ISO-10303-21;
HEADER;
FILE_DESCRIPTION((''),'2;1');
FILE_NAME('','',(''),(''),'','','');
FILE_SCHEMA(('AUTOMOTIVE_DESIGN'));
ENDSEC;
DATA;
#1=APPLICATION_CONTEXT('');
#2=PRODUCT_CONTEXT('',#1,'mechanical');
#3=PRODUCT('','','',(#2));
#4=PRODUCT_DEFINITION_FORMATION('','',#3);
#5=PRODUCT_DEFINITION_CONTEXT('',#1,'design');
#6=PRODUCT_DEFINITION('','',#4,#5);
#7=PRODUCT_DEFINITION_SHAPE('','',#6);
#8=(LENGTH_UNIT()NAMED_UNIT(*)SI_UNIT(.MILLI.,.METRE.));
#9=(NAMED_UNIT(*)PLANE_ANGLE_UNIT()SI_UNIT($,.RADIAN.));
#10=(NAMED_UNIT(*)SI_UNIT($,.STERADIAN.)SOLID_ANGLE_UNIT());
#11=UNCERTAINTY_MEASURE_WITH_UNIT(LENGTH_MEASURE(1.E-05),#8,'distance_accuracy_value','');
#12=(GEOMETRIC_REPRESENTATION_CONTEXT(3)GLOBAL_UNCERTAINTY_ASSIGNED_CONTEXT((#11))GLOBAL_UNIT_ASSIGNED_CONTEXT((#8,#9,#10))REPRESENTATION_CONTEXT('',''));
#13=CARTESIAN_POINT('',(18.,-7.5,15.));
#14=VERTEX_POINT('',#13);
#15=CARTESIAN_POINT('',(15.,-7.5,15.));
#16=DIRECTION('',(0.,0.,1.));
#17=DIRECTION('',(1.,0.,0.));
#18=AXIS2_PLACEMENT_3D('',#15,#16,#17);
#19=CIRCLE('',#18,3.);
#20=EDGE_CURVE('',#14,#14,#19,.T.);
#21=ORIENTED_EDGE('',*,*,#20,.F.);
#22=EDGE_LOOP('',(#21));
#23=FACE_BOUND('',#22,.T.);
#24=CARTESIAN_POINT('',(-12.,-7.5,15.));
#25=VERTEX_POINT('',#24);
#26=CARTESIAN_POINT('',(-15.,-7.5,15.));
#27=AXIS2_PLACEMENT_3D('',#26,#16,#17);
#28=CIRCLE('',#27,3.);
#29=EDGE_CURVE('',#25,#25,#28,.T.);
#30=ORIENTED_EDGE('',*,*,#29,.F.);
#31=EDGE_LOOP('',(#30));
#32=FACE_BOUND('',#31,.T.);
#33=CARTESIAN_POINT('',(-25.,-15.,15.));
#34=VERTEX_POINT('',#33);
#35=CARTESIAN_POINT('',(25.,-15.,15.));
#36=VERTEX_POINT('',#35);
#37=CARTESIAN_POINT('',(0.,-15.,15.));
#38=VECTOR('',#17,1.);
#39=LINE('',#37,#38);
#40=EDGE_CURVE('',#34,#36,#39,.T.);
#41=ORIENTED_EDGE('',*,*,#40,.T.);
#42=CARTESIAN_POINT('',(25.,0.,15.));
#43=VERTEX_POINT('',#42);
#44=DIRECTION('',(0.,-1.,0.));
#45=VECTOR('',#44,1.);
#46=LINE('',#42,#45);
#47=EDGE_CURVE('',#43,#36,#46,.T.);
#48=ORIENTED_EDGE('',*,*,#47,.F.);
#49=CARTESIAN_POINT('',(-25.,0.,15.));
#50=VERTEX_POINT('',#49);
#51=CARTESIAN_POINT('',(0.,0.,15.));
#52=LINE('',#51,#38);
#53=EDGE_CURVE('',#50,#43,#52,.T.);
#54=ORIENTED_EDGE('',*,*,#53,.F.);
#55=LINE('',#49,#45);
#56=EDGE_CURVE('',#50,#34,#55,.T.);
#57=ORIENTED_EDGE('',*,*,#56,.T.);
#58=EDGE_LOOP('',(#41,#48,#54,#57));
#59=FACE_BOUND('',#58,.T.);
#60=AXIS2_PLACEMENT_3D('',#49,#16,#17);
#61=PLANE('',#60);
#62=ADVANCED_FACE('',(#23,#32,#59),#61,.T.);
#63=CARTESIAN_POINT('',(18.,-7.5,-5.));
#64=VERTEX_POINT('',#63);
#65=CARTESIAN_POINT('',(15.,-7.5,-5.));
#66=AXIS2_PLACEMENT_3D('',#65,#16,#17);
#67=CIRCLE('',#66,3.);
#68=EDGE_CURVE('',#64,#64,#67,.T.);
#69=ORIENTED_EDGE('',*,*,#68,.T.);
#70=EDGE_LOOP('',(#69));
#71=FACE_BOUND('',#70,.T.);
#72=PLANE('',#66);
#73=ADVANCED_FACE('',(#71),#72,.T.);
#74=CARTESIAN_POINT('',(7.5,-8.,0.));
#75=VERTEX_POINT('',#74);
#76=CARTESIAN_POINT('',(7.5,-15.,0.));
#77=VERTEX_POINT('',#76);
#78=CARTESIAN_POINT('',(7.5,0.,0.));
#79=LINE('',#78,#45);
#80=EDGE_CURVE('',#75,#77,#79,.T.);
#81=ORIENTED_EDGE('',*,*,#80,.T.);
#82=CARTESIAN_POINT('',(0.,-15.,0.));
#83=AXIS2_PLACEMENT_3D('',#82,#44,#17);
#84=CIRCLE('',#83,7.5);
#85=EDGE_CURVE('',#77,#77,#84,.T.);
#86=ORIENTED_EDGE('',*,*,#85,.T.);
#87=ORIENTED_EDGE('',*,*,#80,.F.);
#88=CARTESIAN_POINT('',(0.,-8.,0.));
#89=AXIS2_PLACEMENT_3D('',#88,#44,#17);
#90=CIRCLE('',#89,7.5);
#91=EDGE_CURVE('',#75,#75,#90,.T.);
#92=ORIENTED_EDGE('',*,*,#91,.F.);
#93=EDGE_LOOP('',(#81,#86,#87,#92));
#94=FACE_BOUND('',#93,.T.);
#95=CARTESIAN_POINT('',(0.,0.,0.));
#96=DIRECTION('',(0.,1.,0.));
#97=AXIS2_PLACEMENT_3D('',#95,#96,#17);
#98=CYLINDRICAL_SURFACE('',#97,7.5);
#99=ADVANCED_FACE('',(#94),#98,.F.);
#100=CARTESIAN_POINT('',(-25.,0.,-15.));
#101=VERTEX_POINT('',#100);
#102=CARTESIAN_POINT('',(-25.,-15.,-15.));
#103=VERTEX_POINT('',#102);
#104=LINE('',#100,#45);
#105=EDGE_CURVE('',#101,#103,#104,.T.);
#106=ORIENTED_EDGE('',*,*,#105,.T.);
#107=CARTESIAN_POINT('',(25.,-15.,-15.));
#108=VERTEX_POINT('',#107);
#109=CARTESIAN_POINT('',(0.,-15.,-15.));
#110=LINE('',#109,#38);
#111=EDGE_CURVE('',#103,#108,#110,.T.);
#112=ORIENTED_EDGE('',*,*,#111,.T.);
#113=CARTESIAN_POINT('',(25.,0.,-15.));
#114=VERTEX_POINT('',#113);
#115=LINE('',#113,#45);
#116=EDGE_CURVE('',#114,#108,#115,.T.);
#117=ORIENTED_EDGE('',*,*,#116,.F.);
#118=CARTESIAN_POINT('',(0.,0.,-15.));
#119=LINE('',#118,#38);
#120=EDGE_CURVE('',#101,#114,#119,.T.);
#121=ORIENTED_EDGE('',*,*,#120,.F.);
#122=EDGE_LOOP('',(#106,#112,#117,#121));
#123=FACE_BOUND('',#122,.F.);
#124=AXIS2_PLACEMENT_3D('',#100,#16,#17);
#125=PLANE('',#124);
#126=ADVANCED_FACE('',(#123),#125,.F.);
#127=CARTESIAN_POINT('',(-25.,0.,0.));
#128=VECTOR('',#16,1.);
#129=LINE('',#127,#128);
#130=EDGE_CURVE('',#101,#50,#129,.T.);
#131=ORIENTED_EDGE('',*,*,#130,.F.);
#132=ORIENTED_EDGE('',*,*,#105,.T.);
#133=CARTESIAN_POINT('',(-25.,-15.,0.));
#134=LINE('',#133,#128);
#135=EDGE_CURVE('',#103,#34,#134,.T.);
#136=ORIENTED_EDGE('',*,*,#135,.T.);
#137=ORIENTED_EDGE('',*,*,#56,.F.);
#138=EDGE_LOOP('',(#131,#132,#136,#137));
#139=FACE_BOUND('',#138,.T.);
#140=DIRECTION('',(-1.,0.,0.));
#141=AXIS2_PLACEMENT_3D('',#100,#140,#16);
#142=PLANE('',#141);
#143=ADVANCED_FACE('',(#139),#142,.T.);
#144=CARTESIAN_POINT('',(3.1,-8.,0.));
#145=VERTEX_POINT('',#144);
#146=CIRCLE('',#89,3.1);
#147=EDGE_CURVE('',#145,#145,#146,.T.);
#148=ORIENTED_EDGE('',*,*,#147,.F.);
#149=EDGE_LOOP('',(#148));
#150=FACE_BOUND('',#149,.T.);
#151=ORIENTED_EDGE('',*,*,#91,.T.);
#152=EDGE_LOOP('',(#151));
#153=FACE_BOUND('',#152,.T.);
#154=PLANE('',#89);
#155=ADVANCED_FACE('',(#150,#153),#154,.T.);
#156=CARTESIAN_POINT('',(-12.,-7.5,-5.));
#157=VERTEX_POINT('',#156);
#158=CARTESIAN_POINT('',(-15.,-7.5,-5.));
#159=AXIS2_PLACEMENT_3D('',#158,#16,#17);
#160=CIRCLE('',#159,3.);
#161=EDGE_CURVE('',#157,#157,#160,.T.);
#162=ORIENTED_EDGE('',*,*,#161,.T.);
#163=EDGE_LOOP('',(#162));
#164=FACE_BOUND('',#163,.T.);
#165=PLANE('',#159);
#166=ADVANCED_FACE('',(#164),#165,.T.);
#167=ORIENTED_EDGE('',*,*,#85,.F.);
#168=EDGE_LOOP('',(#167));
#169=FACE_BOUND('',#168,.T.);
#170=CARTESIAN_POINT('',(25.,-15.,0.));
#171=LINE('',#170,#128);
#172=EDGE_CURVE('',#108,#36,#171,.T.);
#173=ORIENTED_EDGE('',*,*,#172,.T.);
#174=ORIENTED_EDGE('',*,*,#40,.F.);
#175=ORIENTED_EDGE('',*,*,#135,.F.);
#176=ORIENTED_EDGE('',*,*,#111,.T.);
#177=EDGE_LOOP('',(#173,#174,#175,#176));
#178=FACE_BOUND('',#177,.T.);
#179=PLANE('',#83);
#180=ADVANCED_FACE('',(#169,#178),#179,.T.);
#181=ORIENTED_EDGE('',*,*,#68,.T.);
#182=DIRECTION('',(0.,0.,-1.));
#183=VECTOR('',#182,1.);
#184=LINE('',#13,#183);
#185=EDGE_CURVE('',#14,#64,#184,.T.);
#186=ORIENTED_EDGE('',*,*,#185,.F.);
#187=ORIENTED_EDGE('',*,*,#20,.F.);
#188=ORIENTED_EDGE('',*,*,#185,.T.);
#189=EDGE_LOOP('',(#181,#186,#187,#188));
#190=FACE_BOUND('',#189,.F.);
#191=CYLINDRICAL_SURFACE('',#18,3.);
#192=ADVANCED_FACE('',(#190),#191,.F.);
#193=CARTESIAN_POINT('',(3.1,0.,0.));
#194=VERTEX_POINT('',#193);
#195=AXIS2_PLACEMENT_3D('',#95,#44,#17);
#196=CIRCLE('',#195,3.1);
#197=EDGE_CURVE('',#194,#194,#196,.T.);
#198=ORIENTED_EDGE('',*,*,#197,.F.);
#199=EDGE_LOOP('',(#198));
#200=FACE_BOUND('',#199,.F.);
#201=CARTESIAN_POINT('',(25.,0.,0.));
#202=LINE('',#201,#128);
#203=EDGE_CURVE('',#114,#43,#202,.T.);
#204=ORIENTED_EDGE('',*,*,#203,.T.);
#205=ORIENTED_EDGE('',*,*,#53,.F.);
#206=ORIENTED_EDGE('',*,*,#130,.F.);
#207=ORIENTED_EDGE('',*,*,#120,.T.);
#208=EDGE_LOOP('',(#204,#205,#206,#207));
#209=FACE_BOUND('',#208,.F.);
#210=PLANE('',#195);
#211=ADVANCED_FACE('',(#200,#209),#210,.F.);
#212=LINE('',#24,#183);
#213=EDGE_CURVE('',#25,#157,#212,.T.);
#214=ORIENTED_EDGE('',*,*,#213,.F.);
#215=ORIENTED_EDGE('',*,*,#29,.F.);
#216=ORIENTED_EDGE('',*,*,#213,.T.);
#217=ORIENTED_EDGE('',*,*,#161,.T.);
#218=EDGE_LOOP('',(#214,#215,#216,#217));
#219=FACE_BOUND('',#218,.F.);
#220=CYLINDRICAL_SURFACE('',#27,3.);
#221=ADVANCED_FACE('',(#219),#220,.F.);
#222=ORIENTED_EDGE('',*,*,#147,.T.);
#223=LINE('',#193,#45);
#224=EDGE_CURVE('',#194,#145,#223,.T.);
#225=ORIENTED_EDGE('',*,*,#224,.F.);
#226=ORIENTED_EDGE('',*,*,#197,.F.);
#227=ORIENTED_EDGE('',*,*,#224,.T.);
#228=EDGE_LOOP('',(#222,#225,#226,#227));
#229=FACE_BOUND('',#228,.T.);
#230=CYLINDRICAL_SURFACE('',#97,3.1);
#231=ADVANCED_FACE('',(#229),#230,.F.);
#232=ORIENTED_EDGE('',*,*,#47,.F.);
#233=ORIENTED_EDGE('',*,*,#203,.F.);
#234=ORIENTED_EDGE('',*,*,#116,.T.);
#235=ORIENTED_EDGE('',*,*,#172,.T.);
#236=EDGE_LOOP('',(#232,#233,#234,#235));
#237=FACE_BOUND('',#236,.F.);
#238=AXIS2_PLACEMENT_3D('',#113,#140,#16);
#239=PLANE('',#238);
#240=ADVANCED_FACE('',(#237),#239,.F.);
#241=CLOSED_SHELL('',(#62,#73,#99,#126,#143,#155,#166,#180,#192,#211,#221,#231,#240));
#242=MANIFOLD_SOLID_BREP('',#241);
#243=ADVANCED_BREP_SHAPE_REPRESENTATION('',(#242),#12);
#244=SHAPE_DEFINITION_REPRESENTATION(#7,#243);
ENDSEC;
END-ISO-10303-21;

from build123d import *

# Parameters (mm, degrees)
F0_W     = 50
F0_H     = 30
F0_R     = 7.5
F1_DEPTH = 15
F0_R_2   = 3.1
F2_DEPTH = 8
F3_R     = 3
F4_DEPTH = 20


with BuildPart() as f1:
    # F0 (on Front) → F1 (new body)
    with BuildSketch(Plane.XZ):
        Rectangle(F0_W, F0_H)
        Circle(F0_R, mode=Mode.SUBTRACT)
    extrude(amount=F1_DEPTH)

    # F0 (on Front) → F2 (join)
    with BuildSketch(Plane.XZ):
        Circle(F0_R)
        Circle(F0_R_2, mode=Mode.SUBTRACT)
    extrude(amount=F2_DEPTH)

    # F3 (on face) → F4 (cut)
    with BuildSketch(Plane.XY.offset(15)):
        with Locations((-15, -7.5)):
            Circle(F3_R)
        with Locations((15, -7.5)):
            Circle(F3_R)
    extrude(amount=-F4_DEPTH, mode=Mode.SUBTRACT)


solid = f1.part
